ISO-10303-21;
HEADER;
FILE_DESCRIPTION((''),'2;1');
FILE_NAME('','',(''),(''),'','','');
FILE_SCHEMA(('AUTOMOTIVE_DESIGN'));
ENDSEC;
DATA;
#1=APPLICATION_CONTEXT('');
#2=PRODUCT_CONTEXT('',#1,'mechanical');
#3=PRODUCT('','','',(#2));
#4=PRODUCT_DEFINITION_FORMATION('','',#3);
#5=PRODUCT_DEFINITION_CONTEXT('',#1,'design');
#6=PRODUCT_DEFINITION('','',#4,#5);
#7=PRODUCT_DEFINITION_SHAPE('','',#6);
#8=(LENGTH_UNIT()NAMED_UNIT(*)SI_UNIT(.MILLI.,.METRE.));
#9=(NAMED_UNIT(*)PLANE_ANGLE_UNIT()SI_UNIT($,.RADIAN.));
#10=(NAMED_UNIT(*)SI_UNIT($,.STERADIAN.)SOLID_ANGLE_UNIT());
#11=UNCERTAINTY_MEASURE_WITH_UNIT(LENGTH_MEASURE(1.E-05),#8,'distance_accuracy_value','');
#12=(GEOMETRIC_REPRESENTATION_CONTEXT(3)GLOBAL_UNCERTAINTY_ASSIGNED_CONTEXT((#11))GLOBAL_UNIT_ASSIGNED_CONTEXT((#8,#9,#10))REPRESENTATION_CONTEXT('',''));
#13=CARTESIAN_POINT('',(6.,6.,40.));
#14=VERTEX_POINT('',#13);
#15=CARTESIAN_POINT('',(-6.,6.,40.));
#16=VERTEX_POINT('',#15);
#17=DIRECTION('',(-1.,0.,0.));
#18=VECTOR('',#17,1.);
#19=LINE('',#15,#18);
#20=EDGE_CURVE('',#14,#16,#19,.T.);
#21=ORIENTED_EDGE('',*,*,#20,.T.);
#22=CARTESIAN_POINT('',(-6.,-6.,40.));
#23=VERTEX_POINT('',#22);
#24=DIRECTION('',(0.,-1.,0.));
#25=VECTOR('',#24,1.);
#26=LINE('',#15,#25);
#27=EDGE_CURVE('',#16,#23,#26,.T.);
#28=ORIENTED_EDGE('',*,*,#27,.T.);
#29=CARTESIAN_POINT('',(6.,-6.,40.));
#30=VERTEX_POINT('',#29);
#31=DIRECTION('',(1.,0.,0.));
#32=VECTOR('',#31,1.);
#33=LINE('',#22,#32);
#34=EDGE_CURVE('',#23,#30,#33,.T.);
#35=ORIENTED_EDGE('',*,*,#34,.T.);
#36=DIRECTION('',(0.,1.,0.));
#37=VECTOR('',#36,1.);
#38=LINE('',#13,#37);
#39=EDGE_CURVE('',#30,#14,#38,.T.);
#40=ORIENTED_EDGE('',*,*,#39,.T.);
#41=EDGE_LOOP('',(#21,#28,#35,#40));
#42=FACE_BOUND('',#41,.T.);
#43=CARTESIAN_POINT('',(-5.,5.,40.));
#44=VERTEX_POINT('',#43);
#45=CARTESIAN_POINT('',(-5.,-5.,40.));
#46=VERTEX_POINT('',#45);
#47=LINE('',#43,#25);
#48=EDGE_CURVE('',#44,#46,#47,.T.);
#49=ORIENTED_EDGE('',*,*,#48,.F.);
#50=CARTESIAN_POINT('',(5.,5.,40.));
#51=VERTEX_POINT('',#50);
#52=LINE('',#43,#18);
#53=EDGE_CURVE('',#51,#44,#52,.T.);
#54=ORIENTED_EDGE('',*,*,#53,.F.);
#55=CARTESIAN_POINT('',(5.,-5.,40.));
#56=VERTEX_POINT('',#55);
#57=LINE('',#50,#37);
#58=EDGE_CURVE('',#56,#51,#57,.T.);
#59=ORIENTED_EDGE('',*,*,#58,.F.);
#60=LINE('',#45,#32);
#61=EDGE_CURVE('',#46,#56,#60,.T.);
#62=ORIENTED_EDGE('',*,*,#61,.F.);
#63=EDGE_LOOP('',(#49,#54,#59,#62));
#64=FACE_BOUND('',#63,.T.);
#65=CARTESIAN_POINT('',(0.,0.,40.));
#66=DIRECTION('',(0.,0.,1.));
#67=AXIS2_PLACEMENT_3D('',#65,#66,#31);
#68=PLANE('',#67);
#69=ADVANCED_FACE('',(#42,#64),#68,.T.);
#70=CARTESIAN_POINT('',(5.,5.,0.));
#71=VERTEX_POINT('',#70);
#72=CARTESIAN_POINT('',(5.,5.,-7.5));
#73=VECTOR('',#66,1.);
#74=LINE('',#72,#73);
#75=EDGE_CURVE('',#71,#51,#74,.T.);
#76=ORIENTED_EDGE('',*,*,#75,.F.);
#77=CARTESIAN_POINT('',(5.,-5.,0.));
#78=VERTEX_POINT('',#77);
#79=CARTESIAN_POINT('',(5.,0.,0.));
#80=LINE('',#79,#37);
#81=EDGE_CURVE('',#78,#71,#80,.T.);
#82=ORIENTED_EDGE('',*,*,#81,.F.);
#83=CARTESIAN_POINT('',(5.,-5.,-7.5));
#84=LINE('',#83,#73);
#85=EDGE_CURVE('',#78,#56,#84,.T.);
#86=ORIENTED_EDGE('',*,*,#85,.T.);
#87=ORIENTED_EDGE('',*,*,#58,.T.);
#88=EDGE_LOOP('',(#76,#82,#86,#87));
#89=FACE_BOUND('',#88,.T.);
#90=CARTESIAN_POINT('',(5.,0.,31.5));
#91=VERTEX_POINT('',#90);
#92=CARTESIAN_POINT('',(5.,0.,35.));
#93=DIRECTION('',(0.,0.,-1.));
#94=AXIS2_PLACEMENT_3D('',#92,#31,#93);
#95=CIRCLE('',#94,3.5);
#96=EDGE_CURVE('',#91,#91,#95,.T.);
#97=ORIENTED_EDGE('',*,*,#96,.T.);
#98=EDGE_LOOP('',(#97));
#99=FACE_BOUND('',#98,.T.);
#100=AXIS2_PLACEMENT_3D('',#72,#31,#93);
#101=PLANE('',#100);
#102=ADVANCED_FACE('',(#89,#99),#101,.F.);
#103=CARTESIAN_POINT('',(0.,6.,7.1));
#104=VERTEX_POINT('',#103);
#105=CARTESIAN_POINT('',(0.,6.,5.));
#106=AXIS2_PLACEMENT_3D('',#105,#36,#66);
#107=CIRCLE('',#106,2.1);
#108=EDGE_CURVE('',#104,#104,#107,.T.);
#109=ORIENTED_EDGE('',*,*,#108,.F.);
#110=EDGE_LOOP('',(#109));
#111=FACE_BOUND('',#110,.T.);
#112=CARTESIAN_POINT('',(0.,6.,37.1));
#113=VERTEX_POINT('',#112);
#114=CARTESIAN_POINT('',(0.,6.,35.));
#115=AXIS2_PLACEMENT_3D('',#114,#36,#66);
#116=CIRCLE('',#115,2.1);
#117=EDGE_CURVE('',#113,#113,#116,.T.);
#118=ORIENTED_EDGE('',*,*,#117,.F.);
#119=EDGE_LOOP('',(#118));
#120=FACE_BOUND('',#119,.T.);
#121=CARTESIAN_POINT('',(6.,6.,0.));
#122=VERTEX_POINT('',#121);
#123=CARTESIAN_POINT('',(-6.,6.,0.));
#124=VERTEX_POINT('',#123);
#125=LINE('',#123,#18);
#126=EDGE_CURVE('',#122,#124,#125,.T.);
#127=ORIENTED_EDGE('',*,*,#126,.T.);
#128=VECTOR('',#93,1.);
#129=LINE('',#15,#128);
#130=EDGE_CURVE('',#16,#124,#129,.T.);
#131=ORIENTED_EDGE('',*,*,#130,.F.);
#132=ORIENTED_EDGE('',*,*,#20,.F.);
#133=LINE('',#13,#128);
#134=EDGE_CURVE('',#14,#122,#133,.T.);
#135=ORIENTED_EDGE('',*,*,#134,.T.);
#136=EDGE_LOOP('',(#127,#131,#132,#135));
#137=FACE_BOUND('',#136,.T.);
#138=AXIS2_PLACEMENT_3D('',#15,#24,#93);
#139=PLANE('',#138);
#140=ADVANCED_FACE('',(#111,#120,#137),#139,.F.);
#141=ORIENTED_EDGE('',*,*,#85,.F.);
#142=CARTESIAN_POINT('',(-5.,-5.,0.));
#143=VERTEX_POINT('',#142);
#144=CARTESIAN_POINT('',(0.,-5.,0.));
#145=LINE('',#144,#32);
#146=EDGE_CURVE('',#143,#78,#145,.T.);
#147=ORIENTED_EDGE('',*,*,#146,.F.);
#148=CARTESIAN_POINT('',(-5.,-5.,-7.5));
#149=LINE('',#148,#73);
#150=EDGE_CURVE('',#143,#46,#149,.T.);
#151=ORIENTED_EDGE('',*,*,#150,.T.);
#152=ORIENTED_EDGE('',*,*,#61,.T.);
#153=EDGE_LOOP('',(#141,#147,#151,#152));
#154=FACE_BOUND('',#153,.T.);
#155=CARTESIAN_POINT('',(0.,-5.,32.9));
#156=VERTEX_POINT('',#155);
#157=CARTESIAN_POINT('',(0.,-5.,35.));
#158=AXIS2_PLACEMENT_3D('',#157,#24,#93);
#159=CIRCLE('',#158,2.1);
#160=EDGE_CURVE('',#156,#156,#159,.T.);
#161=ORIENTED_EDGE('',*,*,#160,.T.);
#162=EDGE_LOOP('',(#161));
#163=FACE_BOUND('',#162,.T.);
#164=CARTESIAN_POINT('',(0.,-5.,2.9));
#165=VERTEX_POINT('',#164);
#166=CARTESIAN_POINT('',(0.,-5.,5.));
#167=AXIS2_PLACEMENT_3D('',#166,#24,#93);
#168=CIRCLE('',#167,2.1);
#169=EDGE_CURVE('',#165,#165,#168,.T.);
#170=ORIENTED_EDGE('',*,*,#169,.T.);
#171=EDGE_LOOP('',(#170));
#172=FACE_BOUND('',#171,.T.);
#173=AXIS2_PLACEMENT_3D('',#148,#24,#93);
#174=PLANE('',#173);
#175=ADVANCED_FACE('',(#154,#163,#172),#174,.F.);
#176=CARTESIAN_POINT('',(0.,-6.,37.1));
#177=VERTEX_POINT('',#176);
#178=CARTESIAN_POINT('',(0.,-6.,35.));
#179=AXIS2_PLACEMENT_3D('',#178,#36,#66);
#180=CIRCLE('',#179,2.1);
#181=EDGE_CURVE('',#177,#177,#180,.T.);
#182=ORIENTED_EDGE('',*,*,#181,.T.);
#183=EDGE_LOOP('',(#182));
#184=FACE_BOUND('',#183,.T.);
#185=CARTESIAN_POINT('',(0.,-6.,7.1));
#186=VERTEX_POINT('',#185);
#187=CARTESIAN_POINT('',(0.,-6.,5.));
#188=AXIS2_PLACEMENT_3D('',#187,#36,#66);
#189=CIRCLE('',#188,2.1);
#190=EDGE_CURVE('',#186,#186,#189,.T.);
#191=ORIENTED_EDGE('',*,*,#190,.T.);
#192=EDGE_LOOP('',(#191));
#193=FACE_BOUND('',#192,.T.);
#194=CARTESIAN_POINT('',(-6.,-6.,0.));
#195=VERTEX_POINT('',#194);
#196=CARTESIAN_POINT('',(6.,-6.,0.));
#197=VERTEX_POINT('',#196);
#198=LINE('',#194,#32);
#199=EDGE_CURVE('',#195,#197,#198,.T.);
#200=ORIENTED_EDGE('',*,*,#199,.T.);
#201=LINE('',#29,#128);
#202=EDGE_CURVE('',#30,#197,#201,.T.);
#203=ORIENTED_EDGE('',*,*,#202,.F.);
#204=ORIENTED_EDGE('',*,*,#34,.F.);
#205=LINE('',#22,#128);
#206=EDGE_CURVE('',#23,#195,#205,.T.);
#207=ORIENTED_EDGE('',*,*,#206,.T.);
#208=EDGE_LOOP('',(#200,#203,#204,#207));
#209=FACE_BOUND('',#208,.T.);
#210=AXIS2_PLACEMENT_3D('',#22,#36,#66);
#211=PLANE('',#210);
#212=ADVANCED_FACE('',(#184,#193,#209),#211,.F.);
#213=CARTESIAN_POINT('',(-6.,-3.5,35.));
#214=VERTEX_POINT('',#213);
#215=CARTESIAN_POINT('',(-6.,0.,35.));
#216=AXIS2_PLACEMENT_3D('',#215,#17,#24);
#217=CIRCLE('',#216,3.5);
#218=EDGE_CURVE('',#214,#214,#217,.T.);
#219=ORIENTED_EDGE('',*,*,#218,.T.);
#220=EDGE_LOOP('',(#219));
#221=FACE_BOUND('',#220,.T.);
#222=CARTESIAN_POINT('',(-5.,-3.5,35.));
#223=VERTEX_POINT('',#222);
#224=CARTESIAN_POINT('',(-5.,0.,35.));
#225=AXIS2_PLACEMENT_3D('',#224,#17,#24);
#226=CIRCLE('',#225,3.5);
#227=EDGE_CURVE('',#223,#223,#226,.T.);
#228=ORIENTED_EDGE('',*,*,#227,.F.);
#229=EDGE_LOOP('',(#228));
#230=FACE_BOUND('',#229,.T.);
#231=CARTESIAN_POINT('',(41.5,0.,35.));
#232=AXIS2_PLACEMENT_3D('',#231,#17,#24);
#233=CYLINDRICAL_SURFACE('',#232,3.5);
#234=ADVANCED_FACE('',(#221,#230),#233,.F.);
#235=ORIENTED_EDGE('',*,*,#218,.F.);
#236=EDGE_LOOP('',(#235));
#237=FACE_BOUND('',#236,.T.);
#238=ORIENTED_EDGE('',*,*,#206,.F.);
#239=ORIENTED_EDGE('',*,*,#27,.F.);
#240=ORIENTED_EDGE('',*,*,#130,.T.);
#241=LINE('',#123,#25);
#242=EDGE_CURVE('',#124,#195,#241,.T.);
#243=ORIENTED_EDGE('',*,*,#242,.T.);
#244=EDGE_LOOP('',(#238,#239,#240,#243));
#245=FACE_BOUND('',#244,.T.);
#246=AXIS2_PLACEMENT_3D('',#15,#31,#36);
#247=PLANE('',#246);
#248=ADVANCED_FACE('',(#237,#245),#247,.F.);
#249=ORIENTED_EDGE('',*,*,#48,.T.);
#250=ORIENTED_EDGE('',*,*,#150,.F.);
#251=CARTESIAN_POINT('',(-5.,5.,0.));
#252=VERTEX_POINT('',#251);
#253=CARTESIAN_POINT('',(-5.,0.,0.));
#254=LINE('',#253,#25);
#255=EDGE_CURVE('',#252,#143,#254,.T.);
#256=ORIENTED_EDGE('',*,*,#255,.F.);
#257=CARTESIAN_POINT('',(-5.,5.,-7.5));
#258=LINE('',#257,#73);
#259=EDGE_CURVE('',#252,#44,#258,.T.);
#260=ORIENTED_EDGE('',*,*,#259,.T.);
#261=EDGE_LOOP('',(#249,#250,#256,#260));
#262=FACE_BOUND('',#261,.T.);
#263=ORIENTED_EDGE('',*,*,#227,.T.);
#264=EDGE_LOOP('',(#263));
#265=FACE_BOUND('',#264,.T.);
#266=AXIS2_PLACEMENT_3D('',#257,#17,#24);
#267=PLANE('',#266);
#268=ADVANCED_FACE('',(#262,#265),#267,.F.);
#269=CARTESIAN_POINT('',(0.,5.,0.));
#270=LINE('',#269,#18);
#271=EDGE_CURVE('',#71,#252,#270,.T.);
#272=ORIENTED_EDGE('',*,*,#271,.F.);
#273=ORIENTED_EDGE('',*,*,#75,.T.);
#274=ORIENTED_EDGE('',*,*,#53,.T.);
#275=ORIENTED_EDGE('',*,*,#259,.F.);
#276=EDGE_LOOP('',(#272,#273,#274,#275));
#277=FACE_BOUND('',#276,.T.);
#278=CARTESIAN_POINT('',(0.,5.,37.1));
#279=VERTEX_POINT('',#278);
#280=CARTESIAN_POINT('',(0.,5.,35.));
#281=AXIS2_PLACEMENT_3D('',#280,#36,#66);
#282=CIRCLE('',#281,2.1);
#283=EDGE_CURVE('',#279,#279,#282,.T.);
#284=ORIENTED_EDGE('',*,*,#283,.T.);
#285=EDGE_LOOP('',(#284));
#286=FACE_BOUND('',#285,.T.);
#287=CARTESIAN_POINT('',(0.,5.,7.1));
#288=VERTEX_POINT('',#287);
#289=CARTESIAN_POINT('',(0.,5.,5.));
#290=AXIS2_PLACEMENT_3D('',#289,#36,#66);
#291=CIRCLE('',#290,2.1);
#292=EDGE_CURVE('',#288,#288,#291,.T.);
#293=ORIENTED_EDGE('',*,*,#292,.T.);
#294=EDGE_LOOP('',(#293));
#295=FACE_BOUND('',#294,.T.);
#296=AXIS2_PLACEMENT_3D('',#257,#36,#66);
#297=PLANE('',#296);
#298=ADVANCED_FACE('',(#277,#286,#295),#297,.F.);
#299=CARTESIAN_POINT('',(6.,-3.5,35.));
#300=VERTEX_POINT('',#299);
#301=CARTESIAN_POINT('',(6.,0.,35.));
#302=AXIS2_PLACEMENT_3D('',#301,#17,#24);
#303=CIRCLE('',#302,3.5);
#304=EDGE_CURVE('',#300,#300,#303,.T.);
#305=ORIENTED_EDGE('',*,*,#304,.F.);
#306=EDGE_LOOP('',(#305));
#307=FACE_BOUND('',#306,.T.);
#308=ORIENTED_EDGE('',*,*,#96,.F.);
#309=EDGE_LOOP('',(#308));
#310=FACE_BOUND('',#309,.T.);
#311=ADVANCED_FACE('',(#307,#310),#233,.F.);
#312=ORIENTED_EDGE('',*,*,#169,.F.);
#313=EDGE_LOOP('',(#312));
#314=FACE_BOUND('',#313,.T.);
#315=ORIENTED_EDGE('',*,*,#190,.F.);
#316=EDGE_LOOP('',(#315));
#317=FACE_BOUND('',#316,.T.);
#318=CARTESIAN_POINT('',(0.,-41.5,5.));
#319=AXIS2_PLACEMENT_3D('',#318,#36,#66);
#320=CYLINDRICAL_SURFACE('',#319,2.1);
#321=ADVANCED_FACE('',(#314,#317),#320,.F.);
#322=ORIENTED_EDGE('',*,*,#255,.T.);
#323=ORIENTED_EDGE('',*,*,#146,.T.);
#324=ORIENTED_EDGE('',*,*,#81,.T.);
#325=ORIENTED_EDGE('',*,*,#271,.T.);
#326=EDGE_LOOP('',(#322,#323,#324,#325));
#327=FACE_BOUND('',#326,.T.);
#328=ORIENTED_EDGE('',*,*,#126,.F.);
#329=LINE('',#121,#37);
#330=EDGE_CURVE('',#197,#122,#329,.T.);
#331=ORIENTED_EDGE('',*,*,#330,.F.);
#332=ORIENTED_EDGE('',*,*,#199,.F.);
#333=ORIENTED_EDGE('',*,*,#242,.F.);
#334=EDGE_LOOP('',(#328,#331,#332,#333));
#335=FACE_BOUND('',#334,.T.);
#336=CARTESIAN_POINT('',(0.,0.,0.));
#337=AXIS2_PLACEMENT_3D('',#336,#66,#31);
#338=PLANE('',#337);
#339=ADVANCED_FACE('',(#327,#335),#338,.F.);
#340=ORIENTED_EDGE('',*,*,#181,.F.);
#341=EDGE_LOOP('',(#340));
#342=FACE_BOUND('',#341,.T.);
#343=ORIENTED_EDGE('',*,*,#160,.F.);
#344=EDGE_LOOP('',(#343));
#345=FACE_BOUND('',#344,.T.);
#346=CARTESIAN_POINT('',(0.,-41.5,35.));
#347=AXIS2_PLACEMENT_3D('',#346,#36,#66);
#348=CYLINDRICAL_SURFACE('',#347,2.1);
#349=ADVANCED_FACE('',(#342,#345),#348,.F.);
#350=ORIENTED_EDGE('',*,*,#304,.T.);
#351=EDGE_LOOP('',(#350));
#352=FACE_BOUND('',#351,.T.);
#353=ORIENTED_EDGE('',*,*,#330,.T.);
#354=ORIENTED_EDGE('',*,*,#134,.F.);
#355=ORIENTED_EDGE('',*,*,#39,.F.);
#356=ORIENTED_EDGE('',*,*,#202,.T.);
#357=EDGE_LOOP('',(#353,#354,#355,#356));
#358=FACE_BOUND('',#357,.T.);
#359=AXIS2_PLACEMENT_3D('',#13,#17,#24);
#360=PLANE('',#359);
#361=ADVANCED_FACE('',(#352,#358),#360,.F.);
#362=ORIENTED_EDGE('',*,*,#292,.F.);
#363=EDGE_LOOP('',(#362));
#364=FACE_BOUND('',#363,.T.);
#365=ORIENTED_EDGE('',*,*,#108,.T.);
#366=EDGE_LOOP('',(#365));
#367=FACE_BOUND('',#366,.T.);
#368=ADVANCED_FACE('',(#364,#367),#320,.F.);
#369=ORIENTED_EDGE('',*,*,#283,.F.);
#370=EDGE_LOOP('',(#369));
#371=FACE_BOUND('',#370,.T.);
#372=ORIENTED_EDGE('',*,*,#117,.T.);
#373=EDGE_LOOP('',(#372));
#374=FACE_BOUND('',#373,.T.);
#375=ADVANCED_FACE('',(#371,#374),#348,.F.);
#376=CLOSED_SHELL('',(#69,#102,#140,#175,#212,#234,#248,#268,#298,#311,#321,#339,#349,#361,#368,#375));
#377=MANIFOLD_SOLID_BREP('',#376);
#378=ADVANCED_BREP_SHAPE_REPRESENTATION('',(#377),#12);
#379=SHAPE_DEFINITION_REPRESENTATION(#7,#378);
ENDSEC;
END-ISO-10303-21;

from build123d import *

# Parameters (mm, degrees)
SKETCH_1_W          = 12
SKETCH_1_H          = 12
EXTRUDE_1_DEPTH     = 40
SKETCH_2_W          = 10
SKETCH_2_H          = 10
CUT_EXTRUDE_1_DEPTH = 47.5
SKETCH_3_R          = 2.1
CUT_EXTRUDE_2_DEPTH = 47.5
SKETCH_5_R          = 3.5
CUT_EXTRUDE_4_DEPTH = 47.5


with BuildPart() as part:
    # ｽｹｯﾁ1 → ﾎﾞｽ - 押し出し1 (new body)
    with BuildSketch(Plane.XY):
        Rectangle(SKETCH_1_W, SKETCH_1_H)
    extrude(amount=EXTRUDE_1_DEPTH)

    # ｽｹｯﾁ2 → ｶｯﾄ - 押し出し1 (cut)
    with BuildSketch(Plane.XY.offset(40)):
        Rectangle(SKETCH_2_W, SKETCH_2_H)
    extrude(amount=-CUT_EXTRUDE_1_DEPTH, mode=Mode.SUBTRACT)

    # ｽｹｯﾁ3 → ｶｯﾄ - 押し出し2 (cut)
    with BuildSketch(Plane(origin=(0, 6, 0), x_dir=(1, 0, 0), z_dir=(0, 1, 0))):
        with Locations((0, -5)):
            Circle(SKETCH_3_R)
        with Locations((0, -35)):
            Circle(SKETCH_3_R)
    extrude(amount=-CUT_EXTRUDE_2_DEPTH, mode=Mode.SUBTRACT)

    # ｽｹｯﾁ5 → ｶｯﾄ - 押し出し4 (cut)
    with BuildSketch(Plane.ZY.offset(6)):
        with Locations((35, 0)):
            Circle(SKETCH_5_R)
    extrude(amount=-CUT_EXTRUDE_4_DEPTH, mode=Mode.SUBTRACT)


solid = part.part
